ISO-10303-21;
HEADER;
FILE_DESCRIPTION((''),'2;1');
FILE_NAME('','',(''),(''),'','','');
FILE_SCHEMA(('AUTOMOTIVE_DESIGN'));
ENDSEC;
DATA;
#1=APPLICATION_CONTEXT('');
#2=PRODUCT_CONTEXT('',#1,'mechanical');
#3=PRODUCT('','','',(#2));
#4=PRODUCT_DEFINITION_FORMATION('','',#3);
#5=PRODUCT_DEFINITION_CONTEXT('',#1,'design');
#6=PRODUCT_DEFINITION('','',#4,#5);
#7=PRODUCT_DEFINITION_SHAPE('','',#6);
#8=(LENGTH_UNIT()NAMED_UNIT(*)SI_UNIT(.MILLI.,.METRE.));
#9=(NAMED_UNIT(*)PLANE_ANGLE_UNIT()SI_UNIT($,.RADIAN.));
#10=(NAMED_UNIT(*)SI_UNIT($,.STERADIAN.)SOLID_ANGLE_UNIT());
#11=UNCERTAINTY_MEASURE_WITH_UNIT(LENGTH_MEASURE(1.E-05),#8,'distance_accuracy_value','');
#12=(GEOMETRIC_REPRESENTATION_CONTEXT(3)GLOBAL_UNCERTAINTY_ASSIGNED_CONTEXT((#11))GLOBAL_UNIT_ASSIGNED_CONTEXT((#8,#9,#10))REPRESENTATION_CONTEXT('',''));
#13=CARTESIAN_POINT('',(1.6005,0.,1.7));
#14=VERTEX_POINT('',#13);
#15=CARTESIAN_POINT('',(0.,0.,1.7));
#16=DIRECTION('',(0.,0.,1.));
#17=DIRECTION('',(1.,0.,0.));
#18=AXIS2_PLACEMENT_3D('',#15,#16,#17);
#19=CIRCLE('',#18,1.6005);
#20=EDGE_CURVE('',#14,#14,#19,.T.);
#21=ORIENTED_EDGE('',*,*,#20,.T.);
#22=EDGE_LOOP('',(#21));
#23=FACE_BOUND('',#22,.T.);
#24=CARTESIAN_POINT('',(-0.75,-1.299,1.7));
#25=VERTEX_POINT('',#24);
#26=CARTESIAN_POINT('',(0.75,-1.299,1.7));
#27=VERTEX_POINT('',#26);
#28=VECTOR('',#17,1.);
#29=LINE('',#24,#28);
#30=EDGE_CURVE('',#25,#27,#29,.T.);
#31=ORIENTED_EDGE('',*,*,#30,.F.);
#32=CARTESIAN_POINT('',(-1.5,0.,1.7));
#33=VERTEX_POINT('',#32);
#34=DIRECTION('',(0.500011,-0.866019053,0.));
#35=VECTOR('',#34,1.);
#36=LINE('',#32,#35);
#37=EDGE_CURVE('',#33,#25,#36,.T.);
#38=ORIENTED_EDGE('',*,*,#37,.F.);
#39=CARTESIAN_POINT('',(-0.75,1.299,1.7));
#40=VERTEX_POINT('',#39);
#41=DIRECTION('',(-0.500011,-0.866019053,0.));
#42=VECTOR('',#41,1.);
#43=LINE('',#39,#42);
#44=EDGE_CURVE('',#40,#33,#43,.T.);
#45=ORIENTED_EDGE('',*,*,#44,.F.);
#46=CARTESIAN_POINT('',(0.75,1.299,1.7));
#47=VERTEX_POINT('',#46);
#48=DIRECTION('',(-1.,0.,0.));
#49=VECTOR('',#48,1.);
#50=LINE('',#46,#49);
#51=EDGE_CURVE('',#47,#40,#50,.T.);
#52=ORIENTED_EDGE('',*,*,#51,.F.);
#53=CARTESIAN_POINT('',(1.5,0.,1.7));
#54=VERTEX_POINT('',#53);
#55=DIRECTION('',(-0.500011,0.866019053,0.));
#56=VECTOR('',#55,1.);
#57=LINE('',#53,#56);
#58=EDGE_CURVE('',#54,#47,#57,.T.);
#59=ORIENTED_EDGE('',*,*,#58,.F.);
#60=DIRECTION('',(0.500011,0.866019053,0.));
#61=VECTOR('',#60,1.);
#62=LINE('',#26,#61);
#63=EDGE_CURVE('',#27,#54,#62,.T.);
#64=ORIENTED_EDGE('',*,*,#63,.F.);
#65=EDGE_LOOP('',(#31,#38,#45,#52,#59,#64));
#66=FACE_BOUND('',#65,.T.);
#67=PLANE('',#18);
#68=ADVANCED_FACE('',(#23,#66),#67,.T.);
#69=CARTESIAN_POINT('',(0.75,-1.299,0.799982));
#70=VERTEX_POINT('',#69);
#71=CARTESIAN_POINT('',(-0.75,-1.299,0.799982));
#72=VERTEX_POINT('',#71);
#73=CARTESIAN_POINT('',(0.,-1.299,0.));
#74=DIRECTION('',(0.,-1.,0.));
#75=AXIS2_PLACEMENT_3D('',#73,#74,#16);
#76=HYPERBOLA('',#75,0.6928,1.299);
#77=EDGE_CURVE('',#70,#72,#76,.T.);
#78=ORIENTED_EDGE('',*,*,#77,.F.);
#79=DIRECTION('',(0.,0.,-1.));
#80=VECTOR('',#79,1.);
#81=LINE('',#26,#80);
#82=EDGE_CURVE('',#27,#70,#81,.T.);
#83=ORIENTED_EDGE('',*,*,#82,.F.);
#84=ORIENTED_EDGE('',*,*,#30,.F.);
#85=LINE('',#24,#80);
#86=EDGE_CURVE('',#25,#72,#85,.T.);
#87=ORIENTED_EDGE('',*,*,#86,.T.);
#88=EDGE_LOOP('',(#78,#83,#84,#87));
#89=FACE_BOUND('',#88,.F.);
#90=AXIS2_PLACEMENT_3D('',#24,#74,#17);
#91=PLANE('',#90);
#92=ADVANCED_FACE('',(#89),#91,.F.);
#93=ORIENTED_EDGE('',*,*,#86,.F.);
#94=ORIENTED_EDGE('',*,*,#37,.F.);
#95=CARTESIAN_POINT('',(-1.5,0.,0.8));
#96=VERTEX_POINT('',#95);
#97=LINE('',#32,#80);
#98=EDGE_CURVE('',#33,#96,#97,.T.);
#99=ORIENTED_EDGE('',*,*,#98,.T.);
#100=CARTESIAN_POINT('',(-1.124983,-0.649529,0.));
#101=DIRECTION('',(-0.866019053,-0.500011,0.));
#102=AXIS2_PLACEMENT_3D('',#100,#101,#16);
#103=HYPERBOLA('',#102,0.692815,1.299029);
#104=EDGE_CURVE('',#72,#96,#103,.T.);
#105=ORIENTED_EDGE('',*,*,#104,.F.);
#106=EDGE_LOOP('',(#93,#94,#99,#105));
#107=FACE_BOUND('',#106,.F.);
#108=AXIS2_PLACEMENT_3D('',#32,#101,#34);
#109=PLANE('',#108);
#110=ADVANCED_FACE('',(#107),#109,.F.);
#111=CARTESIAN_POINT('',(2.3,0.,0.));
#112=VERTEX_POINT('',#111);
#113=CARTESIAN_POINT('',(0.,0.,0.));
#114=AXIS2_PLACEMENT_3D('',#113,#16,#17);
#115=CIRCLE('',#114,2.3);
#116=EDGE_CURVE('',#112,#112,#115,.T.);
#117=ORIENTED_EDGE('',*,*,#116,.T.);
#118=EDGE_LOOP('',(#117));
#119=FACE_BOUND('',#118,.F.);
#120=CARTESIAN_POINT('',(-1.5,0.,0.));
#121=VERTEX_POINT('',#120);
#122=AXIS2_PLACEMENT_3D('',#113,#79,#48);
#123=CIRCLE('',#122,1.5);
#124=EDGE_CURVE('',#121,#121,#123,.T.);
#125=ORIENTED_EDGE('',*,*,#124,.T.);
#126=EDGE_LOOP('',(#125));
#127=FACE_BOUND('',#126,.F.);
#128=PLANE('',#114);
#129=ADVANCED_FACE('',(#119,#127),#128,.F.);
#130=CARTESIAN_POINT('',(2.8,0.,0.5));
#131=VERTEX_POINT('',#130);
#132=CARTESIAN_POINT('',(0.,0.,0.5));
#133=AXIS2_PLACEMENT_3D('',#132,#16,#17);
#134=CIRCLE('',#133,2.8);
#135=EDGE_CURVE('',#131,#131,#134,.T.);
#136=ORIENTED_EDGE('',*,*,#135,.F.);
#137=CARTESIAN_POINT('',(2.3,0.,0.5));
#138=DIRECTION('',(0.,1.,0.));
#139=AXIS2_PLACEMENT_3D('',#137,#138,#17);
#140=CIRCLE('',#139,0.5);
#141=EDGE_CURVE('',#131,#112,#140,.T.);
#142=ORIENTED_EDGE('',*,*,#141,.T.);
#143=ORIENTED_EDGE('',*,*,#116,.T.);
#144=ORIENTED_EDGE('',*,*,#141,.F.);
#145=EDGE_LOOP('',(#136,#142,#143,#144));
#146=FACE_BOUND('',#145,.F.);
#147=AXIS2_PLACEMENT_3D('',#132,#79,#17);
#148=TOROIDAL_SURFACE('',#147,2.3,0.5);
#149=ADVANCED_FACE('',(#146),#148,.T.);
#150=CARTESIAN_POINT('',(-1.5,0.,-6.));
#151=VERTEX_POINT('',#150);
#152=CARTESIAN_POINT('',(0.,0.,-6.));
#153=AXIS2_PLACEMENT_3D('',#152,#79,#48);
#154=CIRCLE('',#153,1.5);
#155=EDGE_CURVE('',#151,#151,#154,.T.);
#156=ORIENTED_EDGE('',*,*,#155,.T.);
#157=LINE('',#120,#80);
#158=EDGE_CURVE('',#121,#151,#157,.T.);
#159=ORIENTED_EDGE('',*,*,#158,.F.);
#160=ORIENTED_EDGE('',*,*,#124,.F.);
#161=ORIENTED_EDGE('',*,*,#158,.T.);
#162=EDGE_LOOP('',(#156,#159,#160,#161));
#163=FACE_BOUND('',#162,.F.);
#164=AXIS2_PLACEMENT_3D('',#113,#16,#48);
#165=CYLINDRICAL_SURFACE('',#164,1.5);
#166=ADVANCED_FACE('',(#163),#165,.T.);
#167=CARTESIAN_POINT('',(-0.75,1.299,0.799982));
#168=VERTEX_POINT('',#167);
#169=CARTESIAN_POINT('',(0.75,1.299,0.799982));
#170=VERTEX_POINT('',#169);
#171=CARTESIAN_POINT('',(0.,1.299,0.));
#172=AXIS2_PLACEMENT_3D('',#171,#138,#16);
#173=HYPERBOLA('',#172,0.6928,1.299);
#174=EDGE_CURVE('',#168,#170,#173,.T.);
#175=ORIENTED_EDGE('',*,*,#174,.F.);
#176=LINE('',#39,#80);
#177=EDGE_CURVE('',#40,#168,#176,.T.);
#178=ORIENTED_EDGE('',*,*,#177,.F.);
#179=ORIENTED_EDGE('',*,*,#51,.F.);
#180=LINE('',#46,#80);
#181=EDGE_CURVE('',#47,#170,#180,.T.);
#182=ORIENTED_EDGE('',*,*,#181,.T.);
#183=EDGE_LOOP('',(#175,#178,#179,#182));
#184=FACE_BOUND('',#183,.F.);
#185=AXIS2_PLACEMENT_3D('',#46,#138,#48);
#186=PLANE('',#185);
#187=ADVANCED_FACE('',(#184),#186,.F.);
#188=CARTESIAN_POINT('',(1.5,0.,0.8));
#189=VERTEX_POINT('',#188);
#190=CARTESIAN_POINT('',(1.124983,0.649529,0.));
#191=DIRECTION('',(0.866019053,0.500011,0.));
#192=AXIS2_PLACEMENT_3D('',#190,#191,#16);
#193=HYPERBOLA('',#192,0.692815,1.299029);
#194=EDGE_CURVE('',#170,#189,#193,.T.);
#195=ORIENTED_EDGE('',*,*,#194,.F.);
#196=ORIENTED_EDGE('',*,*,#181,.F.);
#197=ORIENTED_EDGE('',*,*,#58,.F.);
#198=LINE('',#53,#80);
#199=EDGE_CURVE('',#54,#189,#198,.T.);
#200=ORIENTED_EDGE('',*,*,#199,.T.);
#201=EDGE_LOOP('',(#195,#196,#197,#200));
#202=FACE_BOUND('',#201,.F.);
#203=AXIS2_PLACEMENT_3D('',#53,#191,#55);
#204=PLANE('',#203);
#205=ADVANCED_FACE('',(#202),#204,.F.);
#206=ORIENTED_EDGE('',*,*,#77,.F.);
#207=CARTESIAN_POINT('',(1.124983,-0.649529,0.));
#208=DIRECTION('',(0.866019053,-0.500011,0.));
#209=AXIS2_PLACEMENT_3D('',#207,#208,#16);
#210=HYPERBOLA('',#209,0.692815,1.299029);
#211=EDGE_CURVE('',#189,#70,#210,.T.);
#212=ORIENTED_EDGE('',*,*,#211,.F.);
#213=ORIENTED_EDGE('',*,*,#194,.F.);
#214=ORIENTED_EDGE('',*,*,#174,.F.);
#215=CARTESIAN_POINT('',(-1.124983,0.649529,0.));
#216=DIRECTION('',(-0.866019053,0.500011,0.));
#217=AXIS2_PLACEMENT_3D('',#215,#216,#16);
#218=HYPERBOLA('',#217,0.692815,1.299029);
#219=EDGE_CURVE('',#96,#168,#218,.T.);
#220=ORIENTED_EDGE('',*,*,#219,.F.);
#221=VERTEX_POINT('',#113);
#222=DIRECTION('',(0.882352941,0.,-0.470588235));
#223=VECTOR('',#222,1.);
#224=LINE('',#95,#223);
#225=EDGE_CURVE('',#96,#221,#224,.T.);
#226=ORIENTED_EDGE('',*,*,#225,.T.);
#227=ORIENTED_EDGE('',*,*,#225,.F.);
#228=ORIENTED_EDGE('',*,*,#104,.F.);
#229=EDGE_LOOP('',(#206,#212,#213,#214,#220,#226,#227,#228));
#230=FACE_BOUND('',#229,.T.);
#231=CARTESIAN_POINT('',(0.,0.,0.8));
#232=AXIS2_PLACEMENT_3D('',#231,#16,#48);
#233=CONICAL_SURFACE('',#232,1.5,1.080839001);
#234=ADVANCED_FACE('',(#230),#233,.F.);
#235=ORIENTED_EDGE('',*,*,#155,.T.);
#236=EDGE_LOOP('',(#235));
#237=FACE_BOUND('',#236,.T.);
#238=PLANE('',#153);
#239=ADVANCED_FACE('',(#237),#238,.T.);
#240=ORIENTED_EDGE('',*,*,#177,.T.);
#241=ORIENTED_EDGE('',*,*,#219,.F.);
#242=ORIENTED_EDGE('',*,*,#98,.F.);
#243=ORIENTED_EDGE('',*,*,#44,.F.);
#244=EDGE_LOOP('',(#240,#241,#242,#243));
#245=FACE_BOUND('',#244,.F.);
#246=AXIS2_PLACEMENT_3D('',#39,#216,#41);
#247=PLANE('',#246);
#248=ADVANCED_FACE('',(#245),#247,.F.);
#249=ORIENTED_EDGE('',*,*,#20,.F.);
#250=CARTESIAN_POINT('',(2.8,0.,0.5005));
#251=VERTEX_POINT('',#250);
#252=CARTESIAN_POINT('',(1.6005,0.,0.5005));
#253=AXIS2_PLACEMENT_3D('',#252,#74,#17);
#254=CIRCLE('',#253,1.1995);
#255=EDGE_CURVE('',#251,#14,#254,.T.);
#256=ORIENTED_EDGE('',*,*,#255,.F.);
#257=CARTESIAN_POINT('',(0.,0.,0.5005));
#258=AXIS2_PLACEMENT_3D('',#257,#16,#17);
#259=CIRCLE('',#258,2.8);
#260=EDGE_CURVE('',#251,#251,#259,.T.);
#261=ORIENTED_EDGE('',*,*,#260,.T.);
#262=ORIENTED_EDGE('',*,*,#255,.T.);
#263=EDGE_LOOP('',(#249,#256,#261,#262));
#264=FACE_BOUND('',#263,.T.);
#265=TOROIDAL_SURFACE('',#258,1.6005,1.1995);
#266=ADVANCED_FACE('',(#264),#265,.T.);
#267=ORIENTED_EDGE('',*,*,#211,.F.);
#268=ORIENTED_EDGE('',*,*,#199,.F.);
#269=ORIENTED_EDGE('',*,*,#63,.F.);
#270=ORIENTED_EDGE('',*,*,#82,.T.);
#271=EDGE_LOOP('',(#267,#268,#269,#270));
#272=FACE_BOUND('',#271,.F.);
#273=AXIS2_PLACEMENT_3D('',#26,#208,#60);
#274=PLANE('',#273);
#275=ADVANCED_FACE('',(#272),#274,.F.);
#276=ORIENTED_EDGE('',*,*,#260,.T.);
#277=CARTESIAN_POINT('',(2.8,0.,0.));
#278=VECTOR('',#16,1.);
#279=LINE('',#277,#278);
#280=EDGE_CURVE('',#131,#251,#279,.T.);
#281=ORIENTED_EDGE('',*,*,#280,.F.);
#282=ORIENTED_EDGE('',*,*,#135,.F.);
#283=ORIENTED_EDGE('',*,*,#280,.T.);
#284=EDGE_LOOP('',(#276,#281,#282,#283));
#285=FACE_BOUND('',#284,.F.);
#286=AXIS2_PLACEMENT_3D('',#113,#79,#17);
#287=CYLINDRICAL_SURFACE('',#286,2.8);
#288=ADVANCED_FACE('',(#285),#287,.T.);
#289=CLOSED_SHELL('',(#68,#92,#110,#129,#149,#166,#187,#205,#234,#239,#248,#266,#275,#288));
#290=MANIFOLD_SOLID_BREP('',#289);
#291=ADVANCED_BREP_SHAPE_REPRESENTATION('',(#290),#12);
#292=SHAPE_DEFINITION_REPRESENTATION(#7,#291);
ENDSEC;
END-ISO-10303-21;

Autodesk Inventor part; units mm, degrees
ref_plane "YZ Plane" through (0, 0, 0) normal (1, 0, 0) x (0, 1, 0)
ref_plane "XZ Plane" through (0, 0, 0) normal (0, 1, 0) x (-1, 0, 0)
ref_plane "XY Plane" through (0, 0, 0) normal (0, 0, 1) x (1, 0, 0)
sketch "Sketch1" plane through (0, 0, 0) normal (0, 0, 1) x (1, 0, 0)
  circle A0 centre (0, 0) radius 2.8
  dimension "d0" = 5.6
extrude "Extrusion1" add sketch "Sketch1" along normal blind 1.7
fillet "Fillet3" radius 0.5 1 edges at (-2.8, 0, 0)
fillet "Fillet4" radius 1.2 1 edges at (-2.8, 0, 1.7)
sketch "Sketch2" plane through (0, 0, 1.7) normal (0, 0, 1) x (1, 0, 0)
  line L0 (-0.75, -1.299) -> (0.75, -1.299)
  line L1 (0.75, -1.299) -> (1.5, 0)
  line L2 (1.5, 0) -> (0.75, 1.299)
  line L3 (0.75, 1.299) -> (-0.75, 1.299)
  line L4 (-0.75, 1.299) -> (-1.5, 0)
  line L5 (-1.5, 0) -> (-0.75, -1.299)
  dimension "d7" = 3
extrude "Extrusion2" cut sketch "Sketch2" against normal blind 1.7
sketch "Sketch3" plane through (0, 0, 0) normal (0, 1, 0) x (-1, 0, 0)
  line L0 (0, 0) -> (1.5, 0)
  line L1 (2.3, 0) -> (-2.3, 0) projected
  line L2 (1.5, 0) -> (1.5, 0.8)
  line L3 (1.5, 0.8) -> (0, 0)
  line L4 (0, 0) -> (0, 2.432)
  dimension "d13" = 0
  dimension "d14" = 1.5
  dimension "d15" = 0.8
revolve "Revolution2" add sketch "Sketch3" angle 360 about axis through (0, 0, 0) along (0, 0, 1)
sketch "Sketch4" plane through (0, 0, 0) normal (0, 0, -1) x (-1, 0, 0)
  circle A0 centre (0, 0) radius 2.3 projected
  circle A1 centre (0, 0) radius 1.5
  dimension "d18" = 3
extrude "Extrusion3" add sketch "Sketch4" along normal blind 6 contours A1
thread "Thread1" size "M3x0.5" class "6g" standard "ANSI Metric M Profile" full length
properties part number "screw_M3_6_hex"
